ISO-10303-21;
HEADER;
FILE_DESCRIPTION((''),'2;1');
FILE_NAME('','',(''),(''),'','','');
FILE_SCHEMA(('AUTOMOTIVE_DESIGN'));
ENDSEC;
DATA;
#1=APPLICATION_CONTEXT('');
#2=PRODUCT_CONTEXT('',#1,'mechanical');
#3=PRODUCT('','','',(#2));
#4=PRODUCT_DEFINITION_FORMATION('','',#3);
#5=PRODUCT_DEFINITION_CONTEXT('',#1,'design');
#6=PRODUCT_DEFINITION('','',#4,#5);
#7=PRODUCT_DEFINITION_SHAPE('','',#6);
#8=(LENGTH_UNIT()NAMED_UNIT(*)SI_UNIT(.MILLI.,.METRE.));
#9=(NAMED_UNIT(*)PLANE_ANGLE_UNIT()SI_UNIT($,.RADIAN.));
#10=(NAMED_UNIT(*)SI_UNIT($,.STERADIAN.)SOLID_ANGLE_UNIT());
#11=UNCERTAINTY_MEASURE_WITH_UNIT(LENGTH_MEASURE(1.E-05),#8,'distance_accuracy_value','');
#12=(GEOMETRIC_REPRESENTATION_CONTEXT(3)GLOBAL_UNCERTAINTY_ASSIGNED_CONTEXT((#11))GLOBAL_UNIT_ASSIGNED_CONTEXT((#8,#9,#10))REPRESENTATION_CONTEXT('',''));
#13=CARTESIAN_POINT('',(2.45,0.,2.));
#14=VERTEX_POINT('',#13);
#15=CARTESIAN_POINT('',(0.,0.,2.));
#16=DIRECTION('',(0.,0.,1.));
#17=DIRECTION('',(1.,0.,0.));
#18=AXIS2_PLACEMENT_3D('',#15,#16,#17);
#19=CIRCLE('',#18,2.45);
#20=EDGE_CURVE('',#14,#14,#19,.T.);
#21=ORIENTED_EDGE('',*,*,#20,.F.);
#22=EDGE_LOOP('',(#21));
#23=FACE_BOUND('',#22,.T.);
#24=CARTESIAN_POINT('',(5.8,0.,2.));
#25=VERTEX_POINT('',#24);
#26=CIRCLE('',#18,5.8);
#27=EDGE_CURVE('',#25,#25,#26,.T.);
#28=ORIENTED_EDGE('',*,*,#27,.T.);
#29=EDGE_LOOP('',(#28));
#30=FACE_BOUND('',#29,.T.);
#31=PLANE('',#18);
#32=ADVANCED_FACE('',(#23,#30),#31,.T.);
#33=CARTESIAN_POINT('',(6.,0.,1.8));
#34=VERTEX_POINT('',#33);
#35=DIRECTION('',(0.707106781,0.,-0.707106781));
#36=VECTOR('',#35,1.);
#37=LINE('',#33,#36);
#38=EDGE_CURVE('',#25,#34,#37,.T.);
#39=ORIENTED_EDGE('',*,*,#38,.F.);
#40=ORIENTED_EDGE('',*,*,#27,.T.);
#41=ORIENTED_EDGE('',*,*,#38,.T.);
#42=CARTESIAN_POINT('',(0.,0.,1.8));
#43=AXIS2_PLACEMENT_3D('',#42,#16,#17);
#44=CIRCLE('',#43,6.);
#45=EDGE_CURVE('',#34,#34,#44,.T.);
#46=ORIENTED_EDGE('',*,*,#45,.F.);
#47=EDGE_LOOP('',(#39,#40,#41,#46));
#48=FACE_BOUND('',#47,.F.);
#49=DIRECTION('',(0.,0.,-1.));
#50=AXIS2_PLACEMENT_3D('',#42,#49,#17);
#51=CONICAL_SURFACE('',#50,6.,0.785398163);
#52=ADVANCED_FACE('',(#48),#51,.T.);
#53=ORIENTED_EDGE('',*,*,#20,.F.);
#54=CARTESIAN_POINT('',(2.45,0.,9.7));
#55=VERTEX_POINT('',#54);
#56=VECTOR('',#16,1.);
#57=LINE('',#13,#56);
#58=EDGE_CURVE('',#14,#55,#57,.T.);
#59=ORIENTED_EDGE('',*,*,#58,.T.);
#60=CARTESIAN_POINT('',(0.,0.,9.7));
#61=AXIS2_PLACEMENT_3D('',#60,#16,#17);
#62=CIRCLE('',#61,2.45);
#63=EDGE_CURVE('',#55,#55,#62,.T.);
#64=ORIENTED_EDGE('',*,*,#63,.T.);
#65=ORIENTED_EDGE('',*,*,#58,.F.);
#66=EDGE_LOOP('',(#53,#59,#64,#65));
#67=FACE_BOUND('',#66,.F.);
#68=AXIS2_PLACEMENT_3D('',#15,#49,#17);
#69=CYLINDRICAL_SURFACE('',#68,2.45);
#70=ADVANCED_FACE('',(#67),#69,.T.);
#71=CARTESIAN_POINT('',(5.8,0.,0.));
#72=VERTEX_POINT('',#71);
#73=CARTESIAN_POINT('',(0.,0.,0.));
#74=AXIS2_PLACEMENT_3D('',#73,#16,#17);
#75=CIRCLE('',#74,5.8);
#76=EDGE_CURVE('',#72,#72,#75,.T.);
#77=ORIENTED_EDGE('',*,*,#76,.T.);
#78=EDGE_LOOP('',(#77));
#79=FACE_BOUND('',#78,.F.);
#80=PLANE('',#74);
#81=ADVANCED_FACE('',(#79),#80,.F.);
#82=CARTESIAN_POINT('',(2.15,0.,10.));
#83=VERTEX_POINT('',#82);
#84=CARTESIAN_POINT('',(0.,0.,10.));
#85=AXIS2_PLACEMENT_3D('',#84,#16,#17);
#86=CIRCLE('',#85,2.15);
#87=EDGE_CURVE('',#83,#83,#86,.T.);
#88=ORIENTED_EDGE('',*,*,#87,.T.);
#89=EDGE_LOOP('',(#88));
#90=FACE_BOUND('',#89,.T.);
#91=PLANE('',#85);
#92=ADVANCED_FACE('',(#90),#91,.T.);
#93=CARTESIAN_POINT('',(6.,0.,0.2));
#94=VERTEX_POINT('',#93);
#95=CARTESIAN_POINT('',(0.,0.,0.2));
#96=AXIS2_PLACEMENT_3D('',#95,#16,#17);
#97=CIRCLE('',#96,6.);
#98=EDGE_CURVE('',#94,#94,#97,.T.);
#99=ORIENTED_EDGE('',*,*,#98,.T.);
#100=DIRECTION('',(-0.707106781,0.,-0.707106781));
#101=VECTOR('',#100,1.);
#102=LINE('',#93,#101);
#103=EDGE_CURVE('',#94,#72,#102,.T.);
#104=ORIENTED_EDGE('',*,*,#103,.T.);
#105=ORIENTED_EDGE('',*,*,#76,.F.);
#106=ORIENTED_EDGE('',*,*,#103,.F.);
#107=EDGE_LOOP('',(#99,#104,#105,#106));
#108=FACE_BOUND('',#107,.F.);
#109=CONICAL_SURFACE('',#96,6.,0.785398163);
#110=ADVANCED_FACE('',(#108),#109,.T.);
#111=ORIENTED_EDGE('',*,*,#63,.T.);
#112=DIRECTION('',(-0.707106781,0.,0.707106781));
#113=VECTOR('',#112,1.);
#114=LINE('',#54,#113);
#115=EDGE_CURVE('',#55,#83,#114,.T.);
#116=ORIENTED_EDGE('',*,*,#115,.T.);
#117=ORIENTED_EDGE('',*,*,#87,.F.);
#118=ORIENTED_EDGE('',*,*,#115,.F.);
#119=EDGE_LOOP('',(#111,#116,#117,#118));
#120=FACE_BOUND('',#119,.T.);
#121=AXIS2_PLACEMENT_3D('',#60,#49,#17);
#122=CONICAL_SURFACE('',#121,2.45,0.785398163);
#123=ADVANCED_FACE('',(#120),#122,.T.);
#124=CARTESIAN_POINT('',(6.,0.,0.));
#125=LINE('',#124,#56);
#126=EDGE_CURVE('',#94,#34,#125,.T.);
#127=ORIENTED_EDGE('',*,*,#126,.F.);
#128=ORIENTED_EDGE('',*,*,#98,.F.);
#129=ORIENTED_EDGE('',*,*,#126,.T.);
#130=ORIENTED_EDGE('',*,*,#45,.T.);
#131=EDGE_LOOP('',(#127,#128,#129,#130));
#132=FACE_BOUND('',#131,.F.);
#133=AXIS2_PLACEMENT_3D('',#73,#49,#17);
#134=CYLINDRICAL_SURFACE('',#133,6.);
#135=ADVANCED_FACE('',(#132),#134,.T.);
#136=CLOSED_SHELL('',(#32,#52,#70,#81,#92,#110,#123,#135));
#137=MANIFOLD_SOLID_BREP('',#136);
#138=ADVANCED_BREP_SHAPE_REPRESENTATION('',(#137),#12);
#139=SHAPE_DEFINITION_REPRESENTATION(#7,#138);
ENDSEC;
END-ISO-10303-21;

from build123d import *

# Parameters (mm, degrees)
F0_R     = 6
F1_DEPTH = 2
F2_R     = 2.45
F3_DEPTH = 8
F4_SIZE  = 0.3
F5_SIZE  = 0.2


with BuildPart() as f1:
    # F0 (on Top) → F1 (new body)
    with BuildSketch(Plane.XY):
        Circle(F0_R)
    extrude(amount=F1_DEPTH)

    # F2 (on face) → F3 (join)
    with BuildSketch(Plane.XY.offset(2)):
        Circle(F2_R)
    extrude(amount=F3_DEPTH)

    # F4
    f4_edges = [f1.edges().sort_by_distance(p)[0] for p in [
        (-2.45, 0, 10),
    ]]
    chamfer(f4_edges, length=F4_SIZE)

    # F5
    f5_edges = [f1.edges().sort_by_distance(p)[0] for p in [
        (-6, 0, 2),
        (-6, 0, 0),
    ]]
    chamfer(f5_edges, length=F5_SIZE)


solid = f1.part
